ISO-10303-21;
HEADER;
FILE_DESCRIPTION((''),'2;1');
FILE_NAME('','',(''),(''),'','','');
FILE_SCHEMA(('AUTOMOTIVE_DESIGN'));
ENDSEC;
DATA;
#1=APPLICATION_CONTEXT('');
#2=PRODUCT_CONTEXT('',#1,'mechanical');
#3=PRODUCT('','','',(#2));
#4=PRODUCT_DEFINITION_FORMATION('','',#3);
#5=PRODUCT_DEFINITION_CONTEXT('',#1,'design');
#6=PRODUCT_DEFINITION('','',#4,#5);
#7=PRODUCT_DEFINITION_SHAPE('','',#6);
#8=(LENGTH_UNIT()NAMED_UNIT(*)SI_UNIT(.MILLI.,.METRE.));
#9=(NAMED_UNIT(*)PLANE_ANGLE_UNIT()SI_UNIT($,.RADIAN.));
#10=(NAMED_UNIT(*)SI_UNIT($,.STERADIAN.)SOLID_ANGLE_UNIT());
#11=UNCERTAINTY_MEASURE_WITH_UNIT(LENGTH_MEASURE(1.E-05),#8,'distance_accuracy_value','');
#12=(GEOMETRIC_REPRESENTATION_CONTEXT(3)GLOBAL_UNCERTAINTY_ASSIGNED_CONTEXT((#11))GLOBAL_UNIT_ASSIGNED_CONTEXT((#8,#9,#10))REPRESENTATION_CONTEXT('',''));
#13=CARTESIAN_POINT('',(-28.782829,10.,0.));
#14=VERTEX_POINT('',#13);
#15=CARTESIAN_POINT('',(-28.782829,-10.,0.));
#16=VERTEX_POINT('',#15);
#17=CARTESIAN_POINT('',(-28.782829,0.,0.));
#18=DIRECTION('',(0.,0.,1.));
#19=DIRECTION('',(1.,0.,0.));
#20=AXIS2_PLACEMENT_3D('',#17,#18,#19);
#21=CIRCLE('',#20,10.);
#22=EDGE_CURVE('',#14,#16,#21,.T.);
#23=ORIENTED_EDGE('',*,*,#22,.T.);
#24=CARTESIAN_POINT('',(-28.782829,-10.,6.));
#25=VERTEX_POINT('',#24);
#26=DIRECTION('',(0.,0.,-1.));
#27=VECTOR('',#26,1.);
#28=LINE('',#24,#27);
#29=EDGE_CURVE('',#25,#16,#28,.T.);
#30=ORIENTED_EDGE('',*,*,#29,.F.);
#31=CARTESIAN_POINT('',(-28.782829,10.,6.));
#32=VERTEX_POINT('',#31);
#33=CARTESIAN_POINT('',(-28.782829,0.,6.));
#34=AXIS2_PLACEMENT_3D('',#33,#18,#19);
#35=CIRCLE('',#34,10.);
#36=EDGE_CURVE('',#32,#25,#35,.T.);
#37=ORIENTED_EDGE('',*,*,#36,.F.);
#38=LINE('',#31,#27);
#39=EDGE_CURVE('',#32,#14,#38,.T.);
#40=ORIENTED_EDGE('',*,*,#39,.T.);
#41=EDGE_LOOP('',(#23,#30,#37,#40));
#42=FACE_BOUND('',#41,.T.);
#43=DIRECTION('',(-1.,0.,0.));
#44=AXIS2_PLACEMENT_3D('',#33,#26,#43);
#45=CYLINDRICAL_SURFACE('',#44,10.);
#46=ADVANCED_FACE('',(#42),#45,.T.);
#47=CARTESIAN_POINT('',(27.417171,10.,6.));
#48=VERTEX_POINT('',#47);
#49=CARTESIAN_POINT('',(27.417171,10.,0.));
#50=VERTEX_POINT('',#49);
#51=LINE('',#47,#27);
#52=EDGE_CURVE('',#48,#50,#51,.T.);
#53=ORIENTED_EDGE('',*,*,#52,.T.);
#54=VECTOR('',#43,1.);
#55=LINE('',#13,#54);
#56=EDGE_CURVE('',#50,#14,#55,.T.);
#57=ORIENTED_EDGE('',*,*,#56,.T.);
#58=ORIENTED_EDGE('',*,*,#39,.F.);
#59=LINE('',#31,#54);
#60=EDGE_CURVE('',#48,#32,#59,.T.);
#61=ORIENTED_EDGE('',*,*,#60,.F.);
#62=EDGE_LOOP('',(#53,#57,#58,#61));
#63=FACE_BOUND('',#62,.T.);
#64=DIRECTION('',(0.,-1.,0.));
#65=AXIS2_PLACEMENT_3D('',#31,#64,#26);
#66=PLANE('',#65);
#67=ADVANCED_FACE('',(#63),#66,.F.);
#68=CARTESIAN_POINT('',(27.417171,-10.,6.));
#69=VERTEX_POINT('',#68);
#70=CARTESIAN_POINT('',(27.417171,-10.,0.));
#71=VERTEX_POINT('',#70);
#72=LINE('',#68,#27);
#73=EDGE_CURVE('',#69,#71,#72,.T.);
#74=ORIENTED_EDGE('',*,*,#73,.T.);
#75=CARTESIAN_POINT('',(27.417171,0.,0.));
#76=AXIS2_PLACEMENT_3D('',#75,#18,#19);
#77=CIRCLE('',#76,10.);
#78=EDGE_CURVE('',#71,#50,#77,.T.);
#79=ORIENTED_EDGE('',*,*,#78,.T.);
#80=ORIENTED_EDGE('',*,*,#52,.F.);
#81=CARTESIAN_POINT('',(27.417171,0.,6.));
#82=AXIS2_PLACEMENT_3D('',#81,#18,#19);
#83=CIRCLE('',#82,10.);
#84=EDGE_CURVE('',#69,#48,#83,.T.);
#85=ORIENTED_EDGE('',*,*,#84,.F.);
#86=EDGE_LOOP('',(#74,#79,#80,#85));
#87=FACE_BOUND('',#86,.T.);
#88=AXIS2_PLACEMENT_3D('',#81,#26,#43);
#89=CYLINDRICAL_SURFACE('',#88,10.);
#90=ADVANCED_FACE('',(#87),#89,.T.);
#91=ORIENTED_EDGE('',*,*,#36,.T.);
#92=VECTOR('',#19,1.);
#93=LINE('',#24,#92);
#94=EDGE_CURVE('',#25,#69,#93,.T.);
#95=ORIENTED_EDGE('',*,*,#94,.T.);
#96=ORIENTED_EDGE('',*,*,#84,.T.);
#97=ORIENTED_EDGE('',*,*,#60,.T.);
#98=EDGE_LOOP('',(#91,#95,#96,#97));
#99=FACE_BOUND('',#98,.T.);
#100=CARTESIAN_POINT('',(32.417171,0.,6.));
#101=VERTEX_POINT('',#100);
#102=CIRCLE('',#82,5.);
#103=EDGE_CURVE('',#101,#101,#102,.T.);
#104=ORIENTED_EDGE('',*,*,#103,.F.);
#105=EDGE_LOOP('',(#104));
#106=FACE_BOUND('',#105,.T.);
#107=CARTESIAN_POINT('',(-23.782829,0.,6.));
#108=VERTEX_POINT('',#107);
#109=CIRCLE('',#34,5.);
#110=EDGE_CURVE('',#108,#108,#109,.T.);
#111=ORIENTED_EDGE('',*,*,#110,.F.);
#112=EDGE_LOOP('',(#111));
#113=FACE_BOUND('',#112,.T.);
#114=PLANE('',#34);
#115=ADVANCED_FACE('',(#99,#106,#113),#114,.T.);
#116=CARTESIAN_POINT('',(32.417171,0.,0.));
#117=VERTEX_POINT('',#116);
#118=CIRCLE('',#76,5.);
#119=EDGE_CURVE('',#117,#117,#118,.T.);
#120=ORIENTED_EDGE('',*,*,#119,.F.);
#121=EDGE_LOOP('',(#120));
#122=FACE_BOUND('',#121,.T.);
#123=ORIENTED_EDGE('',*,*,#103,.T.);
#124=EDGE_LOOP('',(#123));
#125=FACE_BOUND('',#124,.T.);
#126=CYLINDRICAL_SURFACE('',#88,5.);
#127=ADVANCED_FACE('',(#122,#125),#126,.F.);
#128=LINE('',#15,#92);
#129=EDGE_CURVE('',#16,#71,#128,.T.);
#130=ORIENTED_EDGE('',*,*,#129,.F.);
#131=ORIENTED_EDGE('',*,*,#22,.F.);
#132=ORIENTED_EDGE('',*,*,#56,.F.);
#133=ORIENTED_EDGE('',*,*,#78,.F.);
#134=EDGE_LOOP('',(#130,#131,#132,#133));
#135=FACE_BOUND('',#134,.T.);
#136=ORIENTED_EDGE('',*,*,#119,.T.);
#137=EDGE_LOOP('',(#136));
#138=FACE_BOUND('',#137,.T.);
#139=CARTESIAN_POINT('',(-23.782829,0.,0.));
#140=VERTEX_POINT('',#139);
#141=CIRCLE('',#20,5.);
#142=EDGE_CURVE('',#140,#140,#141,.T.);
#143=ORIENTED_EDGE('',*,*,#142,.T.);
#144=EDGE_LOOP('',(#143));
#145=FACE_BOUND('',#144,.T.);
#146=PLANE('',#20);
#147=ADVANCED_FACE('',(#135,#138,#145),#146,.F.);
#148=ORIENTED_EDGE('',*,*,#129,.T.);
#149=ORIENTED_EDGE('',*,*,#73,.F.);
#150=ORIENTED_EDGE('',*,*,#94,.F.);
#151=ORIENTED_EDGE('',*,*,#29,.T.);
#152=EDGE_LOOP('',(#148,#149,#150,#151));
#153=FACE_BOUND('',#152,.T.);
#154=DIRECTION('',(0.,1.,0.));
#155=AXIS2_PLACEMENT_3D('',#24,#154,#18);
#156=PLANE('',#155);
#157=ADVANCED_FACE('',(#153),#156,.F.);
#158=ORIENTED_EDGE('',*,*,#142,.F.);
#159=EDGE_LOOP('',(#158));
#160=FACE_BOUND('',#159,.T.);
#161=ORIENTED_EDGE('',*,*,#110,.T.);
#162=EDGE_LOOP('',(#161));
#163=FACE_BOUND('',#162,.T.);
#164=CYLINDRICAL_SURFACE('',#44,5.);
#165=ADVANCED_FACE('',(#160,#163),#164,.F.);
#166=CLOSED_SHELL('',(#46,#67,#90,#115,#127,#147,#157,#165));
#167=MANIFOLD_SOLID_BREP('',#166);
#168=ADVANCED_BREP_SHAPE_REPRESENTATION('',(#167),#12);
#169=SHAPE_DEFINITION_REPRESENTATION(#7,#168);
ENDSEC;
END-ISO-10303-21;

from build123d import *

# Parameters (mm, degrees)
CROQUIS1_R              = 5
SALIENTE_EXTRUIR1_DEPTH = 6


with BuildPart() as part:
    # Croquis1 → Saliente-Extruir1 (new body)
    with BuildSketch(Plane.XY):
        with BuildLine():
            Line((-28.782828998, 10), (27.417171002, 10))
            ThreePointArc((27.417171002, 10), (37.417171002, 0), (27.417171002, -10))
            Line((27.417171002, -10), (-28.782828998, -10))
            ThreePointArc((-28.782828998, -10), (-38.782828998, 0), (-28.782828998, 10))
        make_face()
        with Locations((-28.782828998, 0)):
            Circle(CROQUIS1_R, mode=Mode.SUBTRACT)
        with Locations((27.417171002, 0)):
            Circle(CROQUIS1_R, mode=Mode.SUBTRACT)
    extrude(amount=SALIENTE_EXTRUIR1_DEPTH)


solid = part.part
